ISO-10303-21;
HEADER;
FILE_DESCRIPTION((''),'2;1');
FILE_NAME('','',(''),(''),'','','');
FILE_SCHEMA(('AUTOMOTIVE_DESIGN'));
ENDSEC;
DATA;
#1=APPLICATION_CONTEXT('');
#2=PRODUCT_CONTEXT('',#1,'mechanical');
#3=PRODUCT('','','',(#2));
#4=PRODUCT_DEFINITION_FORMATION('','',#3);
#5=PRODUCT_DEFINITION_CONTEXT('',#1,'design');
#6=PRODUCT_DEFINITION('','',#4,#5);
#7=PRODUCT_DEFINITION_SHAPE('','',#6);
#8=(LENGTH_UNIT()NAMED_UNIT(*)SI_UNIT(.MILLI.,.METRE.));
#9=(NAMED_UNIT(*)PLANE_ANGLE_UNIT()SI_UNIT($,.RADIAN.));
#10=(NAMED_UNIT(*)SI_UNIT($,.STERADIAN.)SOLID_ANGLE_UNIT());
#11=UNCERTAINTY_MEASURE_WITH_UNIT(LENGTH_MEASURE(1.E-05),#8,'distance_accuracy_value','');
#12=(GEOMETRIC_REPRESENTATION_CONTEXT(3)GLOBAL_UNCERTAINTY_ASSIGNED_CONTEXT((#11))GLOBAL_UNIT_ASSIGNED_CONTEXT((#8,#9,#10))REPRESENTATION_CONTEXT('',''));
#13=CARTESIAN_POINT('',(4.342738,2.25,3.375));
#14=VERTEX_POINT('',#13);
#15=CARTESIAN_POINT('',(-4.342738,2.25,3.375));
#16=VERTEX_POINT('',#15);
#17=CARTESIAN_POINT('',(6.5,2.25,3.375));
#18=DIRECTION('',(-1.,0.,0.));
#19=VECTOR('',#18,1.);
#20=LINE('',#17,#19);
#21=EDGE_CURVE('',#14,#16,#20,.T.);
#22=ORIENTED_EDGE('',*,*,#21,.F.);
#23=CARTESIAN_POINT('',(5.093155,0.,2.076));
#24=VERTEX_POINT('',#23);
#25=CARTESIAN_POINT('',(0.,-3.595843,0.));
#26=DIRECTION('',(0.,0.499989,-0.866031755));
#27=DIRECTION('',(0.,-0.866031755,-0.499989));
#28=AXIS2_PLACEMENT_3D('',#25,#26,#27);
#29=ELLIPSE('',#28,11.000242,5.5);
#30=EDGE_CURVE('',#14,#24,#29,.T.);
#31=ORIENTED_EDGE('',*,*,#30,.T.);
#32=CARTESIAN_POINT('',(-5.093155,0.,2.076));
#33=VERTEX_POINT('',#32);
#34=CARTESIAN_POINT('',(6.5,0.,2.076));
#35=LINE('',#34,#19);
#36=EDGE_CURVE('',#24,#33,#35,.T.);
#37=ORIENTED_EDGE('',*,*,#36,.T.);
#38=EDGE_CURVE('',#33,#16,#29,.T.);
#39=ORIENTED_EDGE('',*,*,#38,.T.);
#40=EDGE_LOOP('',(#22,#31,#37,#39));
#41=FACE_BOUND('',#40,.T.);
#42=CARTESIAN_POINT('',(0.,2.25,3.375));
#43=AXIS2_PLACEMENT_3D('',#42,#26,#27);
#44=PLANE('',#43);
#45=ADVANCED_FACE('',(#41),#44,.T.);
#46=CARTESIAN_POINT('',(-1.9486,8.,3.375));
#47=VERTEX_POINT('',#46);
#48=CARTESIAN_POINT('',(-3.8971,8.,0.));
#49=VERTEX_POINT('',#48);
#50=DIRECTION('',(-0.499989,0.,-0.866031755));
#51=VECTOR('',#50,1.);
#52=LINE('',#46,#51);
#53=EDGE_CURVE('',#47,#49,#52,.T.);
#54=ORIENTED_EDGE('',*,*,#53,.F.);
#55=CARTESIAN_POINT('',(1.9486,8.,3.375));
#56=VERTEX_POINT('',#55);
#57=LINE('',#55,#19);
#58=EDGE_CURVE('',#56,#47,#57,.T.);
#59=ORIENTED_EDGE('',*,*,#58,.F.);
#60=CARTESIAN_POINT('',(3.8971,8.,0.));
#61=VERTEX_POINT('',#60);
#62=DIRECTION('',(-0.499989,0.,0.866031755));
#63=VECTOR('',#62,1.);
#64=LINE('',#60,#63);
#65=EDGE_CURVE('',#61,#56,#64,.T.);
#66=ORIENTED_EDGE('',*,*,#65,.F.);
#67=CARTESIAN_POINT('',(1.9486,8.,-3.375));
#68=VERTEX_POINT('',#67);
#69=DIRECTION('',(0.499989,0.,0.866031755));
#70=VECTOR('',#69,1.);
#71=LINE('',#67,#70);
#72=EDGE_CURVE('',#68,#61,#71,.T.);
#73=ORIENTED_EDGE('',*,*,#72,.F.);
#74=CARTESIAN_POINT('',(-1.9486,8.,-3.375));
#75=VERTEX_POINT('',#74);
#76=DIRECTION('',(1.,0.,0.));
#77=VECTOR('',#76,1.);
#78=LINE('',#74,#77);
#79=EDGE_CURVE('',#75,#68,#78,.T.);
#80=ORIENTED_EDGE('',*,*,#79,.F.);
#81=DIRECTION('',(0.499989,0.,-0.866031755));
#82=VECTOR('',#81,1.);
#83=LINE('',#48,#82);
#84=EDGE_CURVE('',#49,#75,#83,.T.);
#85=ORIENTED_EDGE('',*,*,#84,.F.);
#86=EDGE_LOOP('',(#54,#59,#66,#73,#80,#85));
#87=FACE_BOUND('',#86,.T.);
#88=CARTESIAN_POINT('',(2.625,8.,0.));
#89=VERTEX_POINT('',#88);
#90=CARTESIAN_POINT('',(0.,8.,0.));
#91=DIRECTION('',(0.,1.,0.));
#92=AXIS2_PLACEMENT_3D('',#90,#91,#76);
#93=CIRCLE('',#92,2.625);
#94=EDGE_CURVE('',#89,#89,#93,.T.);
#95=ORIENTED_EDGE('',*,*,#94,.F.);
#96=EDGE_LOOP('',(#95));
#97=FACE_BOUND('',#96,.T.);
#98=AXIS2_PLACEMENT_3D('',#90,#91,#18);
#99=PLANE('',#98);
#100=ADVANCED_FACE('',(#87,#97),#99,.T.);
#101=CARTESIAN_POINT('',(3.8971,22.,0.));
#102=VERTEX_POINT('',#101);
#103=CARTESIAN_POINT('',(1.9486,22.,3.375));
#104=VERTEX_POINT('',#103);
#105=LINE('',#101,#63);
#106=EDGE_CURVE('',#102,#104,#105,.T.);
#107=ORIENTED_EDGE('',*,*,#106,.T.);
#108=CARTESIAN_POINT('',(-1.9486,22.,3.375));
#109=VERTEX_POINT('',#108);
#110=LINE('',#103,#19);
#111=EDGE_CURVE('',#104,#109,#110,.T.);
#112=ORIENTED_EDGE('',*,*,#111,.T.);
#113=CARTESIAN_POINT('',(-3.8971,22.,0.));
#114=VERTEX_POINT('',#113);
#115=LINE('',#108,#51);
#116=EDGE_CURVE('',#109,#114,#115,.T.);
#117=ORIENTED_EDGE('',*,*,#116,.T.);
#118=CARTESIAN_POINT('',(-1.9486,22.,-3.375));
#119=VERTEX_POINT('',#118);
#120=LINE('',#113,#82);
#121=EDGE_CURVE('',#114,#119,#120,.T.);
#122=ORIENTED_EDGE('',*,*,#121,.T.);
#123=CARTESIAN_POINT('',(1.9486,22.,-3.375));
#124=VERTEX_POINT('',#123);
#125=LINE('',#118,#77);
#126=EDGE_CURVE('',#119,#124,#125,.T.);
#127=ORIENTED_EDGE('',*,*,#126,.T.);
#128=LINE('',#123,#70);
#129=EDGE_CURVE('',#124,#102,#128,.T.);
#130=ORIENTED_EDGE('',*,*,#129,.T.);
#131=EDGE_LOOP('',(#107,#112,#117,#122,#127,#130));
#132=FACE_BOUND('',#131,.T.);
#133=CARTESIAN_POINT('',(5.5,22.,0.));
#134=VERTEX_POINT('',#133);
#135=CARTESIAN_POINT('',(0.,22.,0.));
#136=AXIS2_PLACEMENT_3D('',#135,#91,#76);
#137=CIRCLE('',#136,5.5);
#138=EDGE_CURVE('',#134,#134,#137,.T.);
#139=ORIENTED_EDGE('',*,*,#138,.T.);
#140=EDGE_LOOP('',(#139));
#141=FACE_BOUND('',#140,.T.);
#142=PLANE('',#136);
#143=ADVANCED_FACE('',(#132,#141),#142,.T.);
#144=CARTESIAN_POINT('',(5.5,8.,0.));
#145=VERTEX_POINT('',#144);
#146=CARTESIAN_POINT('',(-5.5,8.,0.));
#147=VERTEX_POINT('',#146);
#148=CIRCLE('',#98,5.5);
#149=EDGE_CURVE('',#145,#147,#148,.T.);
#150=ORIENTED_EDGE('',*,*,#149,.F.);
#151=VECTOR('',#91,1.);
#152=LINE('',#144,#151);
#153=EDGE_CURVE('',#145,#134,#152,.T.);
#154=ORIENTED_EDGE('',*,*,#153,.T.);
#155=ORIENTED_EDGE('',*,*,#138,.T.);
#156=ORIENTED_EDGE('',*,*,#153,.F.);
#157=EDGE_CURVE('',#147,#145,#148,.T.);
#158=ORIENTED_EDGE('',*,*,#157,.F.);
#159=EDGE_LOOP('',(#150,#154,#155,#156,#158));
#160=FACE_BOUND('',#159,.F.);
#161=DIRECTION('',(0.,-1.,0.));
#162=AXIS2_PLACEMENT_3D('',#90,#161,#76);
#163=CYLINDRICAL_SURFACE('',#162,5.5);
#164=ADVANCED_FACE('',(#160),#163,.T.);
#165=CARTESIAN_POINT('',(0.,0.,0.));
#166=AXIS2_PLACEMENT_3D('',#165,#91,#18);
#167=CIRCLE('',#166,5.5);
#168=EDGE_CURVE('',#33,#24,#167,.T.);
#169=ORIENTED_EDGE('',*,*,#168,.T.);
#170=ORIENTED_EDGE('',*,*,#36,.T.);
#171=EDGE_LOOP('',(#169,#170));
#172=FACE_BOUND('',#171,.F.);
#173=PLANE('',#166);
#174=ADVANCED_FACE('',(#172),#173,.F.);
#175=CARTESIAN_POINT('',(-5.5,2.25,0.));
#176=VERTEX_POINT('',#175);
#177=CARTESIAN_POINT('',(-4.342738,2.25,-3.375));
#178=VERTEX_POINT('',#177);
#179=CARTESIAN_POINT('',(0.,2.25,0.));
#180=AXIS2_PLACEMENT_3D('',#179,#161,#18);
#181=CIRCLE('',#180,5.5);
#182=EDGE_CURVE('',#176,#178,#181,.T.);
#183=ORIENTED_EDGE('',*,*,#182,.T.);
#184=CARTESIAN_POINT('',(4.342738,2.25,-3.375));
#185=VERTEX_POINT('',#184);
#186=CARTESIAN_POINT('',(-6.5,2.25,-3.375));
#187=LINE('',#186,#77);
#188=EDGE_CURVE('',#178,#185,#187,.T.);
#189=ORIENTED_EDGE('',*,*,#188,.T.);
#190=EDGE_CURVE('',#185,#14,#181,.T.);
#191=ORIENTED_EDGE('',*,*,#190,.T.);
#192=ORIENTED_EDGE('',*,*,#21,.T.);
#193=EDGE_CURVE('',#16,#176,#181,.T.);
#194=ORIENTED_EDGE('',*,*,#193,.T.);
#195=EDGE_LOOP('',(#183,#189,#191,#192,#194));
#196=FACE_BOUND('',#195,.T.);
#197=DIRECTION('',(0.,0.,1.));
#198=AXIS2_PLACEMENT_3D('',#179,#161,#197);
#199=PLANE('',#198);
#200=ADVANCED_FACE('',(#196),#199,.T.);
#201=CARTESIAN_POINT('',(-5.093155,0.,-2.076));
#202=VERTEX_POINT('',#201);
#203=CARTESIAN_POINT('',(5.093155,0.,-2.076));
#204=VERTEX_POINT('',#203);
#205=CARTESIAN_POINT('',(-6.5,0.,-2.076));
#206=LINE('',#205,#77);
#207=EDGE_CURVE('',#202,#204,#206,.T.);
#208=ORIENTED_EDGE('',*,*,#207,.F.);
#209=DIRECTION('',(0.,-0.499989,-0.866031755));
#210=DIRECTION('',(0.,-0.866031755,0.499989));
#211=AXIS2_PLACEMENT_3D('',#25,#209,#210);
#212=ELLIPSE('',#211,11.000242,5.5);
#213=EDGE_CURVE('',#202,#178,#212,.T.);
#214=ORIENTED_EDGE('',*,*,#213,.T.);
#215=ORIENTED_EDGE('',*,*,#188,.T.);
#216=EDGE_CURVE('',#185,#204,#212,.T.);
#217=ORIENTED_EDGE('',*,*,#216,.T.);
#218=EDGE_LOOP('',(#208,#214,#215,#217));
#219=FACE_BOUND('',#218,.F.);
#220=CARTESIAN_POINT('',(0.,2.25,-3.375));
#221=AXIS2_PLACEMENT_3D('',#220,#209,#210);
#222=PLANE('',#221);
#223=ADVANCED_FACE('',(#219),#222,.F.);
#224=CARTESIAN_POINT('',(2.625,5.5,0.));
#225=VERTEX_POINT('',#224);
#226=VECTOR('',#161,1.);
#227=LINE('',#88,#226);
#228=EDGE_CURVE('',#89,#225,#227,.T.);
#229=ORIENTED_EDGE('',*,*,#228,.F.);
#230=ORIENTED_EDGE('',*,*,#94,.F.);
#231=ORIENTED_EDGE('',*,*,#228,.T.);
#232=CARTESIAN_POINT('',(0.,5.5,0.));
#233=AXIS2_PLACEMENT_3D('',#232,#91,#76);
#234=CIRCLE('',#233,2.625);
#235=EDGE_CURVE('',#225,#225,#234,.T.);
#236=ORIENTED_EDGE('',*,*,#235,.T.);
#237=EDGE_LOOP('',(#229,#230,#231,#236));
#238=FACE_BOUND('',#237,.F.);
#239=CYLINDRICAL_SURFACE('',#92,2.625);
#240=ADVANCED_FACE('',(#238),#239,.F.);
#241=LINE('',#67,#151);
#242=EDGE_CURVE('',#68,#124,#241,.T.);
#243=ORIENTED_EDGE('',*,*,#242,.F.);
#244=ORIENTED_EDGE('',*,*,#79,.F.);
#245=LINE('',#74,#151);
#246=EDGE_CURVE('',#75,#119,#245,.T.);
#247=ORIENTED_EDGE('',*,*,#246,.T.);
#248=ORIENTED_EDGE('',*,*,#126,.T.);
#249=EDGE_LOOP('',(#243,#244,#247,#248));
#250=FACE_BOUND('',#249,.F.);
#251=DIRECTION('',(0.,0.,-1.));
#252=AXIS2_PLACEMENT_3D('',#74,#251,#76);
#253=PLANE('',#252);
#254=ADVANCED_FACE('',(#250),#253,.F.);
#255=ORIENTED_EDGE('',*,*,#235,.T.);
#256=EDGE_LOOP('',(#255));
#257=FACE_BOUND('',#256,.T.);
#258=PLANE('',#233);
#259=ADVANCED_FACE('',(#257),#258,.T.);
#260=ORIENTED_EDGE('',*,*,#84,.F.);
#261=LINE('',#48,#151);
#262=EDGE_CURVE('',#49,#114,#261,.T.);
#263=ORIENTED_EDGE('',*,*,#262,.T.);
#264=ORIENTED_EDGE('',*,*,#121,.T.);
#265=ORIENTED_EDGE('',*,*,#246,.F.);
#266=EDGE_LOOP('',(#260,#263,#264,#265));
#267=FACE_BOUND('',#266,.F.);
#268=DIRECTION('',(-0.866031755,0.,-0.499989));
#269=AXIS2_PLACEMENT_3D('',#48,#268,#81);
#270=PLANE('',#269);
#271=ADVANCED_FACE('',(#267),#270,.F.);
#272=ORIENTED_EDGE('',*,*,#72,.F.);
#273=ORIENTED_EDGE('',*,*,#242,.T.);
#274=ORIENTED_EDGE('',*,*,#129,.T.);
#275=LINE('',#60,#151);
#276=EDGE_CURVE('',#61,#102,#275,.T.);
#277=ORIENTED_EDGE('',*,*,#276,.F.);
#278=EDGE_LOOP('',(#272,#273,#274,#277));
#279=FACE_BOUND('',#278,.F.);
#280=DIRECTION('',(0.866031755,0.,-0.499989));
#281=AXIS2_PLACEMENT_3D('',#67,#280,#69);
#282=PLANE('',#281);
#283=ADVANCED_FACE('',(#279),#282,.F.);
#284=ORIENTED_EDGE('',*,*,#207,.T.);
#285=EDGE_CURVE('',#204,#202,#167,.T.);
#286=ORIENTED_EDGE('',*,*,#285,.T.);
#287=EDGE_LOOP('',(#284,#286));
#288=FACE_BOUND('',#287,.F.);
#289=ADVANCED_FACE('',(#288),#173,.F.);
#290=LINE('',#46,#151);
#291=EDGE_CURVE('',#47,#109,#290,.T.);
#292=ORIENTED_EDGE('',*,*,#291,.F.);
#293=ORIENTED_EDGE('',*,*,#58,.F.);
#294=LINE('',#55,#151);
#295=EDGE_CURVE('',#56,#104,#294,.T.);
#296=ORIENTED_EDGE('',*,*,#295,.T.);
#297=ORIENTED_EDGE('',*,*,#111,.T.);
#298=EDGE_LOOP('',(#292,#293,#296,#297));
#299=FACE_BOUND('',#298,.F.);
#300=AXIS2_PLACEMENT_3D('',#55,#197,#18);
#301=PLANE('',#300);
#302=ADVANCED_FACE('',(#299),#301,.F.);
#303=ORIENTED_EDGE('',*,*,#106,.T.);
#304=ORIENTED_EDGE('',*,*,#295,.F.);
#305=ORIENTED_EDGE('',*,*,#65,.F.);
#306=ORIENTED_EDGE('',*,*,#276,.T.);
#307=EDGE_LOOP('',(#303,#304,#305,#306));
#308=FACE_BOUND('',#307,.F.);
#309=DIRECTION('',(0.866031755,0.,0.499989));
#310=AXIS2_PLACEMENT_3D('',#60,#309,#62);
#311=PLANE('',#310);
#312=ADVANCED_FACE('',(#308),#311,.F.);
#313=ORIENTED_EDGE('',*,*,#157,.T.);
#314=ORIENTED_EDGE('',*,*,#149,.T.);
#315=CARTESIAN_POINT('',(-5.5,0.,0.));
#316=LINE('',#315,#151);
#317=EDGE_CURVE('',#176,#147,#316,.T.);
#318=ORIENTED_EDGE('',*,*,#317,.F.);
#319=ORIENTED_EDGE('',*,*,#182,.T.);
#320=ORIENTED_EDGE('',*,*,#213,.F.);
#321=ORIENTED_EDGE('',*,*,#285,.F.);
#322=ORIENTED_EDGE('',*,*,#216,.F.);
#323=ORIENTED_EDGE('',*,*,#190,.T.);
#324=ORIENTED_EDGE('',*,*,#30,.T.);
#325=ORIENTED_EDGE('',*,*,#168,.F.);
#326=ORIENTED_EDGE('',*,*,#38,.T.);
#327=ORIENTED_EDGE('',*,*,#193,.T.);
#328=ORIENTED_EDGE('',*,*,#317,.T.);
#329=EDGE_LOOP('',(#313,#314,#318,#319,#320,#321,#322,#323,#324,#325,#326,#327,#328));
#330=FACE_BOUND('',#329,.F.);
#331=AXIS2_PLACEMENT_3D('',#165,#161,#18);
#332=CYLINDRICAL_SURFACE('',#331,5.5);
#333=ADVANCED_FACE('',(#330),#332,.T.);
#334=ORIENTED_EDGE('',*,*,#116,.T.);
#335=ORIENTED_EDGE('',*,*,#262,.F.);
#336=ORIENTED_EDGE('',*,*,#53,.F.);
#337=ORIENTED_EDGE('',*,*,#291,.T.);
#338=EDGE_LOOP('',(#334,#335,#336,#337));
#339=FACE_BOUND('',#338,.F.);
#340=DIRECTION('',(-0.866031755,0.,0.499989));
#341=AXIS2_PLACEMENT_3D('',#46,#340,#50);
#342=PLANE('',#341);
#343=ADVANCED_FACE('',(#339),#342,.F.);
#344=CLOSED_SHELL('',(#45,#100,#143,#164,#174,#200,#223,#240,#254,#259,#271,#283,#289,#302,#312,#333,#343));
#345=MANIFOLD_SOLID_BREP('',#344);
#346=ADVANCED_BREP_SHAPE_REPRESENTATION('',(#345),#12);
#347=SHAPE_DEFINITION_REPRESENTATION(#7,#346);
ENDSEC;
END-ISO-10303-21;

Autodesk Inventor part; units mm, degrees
ref_plane "YZ Plane" through (0, 0, 0) normal (1, 0, 0) x (0, 1, 0)
ref_plane "XZ Plane" through (0, 0, 0) normal (0, 1, 0) x (-1, 0, 0)
ref_plane "XY Plane" through (0, 0, 0) normal (0, 0, 1) x (1, 0, 0)
sketch "Sketch1" plane through (0, 0, 0) normal (0, 1, 0) x (-1, 0, 0)
  circle A0 centre (0, 0) radius 5.5
  dimension "d0" = 11
extrude "Extrusion1" add sketch "Sketch1" along normal blind 8
sketch "Sketch2" plane through (0, 0, 0) normal (1, 0, 0) x (0, 1, 0)
  line L0 (0, 0) -> (2.7456, 0)
  line L1 (2.25, 0) -> (2.25, 3.375)
  line L2 (2.25, 3.375) -> (0, 2.076)
  line L3 (0, -5.5) -> (0, 5.5) construction
  line L4 (2.25, 0) -> (2.25, -3.375)
  line L5 (2.25, -3.375) -> (0, -2.076)
  line L6 (0, -2.076) -> (0, 2.076)
  dimension "d9" = 3.375
  dimension "d10" = 2.25
  dimension "d11" = 60
extrude "Extrusion2" cut sketch "Sketch2" along normal through all both and the other way through all
sketch "Sketch3" plane through (0, 8, 0) normal (0, 1, 0) x (1, 0, 0)
  circle A0 centre (0, 0) radius 5.5 projected
  line L0 (1.9486, 3.375) -> (3.8971, 0)
  line L1 (3.8971, 0) -> (1.9486, -3.375)
  line L2 (1.9486, -3.375) -> (-1.9486, -3.375)
  line L3 (-1.9486, -3.375) -> (-3.8971, 0)
  line L4 (-3.8971, 0) -> (-1.9486, 3.375)
  line L5 (-1.9486, 3.375) -> (1.9486, 3.375)
  circle A1 centre (0, 0) radius 2.625
  dimension "d14" = 6.75
  dimension "d15" = 5.25
extrude "Extrusion3" cut sketch "Sketch3" against normal blind 2.5 contours A1
extrude "Extrusion4" add sketch "Sketch3" along normal blind 14 contours A0
properties part number "Varf Biti"
